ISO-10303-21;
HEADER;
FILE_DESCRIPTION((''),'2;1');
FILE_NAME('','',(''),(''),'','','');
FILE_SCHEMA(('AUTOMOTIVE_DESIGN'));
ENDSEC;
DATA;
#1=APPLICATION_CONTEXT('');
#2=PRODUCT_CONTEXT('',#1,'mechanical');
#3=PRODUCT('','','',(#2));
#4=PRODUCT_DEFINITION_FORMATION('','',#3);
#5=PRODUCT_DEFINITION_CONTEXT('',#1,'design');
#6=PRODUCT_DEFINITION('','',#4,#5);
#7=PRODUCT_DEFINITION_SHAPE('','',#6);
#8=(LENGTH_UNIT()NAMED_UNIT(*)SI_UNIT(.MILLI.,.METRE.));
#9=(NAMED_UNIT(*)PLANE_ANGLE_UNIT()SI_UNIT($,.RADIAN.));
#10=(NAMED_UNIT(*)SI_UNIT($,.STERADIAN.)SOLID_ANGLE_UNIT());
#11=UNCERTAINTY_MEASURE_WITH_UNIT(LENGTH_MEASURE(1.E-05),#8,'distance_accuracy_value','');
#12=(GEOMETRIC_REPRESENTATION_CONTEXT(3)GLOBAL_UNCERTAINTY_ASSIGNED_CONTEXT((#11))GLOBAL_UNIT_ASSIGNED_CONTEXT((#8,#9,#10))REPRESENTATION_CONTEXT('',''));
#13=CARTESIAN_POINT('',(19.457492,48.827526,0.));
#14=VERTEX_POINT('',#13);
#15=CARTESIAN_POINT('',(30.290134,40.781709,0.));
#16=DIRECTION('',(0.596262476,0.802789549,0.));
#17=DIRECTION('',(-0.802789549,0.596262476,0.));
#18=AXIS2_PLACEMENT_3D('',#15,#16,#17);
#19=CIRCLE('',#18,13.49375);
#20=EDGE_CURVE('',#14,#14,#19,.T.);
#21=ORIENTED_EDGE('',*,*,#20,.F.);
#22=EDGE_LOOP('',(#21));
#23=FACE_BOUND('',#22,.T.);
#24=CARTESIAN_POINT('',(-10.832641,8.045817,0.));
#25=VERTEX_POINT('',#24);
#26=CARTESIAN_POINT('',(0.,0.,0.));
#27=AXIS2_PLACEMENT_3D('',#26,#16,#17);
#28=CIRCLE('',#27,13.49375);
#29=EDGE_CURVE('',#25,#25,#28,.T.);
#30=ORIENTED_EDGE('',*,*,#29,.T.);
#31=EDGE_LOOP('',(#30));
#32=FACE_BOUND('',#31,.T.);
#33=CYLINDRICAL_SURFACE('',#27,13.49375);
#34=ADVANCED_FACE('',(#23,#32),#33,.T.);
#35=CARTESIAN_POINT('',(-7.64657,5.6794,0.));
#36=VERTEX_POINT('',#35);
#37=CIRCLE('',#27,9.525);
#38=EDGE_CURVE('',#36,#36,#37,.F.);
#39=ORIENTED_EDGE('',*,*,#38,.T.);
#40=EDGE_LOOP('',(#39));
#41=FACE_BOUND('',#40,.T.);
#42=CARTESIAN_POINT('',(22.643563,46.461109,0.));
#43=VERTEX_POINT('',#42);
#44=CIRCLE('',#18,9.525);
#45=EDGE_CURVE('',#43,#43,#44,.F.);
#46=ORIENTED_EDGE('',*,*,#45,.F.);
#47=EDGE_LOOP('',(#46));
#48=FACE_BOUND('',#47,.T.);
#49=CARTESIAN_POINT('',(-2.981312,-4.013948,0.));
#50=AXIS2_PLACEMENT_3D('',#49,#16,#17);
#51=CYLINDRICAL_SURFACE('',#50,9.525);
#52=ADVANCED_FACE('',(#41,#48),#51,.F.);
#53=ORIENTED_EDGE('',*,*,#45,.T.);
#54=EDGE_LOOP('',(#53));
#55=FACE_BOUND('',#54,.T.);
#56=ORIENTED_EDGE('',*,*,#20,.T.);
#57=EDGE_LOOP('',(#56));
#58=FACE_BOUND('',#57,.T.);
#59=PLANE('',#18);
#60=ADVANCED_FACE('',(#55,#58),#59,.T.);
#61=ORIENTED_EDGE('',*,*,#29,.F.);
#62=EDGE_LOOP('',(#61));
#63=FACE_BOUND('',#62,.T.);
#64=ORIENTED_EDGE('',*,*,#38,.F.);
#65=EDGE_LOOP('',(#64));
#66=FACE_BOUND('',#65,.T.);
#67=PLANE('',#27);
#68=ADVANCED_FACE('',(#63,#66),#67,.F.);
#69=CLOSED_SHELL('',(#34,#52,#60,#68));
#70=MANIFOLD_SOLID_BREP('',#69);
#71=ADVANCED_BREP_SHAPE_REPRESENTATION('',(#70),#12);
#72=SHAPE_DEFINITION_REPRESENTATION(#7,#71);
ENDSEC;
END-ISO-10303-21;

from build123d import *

# Parameters (mm, degrees)
SWEEP1_PROFILE_R     = 13.49375
CUT_SWEEP1_PROFILE_R = 9.525


with BuildPart() as part:
    # Sweep1: sweep along a curve in space
    with BuildLine() as sweep1_path:
        Line((0, 0, 0), (30.290133782, 40.78170908, 0))
    # Sweep1 profile (on start of the path) → Sweep1 (sweep)
    with BuildSketch(Plane(origin=(0, 0, 0), x_dir=(0.8027895488189021, -0.5962624760180233, 0), z_dir=(0.5962624760180233, 0.8027895488189021, 0))):
        Circle(SWEEP1_PROFILE_R)
    sweep(path=sweep1_path.line)

    # Cut-Sweep1: sweep along a curve in space
    with BuildLine() as cut_sweep1_path:
        Line((0, 0, 0), (30.290133782, 40.78170908, 0))
    # Cut-Sweep1 profile (on start of the path) → Cut-Sweep1 (sweep, cut)
    with BuildSketch(Plane(origin=(0, 0, 0), x_dir=(0.8027895488189021, -0.5962624760180233, 0), z_dir=(0.5962624760180233, 0.8027895488189021, 0))):
        Circle(CUT_SWEEP1_PROFILE_R)
    sweep(path=cut_sweep1_path.line, mode=Mode.SUBTRACT)


solid = part.part
